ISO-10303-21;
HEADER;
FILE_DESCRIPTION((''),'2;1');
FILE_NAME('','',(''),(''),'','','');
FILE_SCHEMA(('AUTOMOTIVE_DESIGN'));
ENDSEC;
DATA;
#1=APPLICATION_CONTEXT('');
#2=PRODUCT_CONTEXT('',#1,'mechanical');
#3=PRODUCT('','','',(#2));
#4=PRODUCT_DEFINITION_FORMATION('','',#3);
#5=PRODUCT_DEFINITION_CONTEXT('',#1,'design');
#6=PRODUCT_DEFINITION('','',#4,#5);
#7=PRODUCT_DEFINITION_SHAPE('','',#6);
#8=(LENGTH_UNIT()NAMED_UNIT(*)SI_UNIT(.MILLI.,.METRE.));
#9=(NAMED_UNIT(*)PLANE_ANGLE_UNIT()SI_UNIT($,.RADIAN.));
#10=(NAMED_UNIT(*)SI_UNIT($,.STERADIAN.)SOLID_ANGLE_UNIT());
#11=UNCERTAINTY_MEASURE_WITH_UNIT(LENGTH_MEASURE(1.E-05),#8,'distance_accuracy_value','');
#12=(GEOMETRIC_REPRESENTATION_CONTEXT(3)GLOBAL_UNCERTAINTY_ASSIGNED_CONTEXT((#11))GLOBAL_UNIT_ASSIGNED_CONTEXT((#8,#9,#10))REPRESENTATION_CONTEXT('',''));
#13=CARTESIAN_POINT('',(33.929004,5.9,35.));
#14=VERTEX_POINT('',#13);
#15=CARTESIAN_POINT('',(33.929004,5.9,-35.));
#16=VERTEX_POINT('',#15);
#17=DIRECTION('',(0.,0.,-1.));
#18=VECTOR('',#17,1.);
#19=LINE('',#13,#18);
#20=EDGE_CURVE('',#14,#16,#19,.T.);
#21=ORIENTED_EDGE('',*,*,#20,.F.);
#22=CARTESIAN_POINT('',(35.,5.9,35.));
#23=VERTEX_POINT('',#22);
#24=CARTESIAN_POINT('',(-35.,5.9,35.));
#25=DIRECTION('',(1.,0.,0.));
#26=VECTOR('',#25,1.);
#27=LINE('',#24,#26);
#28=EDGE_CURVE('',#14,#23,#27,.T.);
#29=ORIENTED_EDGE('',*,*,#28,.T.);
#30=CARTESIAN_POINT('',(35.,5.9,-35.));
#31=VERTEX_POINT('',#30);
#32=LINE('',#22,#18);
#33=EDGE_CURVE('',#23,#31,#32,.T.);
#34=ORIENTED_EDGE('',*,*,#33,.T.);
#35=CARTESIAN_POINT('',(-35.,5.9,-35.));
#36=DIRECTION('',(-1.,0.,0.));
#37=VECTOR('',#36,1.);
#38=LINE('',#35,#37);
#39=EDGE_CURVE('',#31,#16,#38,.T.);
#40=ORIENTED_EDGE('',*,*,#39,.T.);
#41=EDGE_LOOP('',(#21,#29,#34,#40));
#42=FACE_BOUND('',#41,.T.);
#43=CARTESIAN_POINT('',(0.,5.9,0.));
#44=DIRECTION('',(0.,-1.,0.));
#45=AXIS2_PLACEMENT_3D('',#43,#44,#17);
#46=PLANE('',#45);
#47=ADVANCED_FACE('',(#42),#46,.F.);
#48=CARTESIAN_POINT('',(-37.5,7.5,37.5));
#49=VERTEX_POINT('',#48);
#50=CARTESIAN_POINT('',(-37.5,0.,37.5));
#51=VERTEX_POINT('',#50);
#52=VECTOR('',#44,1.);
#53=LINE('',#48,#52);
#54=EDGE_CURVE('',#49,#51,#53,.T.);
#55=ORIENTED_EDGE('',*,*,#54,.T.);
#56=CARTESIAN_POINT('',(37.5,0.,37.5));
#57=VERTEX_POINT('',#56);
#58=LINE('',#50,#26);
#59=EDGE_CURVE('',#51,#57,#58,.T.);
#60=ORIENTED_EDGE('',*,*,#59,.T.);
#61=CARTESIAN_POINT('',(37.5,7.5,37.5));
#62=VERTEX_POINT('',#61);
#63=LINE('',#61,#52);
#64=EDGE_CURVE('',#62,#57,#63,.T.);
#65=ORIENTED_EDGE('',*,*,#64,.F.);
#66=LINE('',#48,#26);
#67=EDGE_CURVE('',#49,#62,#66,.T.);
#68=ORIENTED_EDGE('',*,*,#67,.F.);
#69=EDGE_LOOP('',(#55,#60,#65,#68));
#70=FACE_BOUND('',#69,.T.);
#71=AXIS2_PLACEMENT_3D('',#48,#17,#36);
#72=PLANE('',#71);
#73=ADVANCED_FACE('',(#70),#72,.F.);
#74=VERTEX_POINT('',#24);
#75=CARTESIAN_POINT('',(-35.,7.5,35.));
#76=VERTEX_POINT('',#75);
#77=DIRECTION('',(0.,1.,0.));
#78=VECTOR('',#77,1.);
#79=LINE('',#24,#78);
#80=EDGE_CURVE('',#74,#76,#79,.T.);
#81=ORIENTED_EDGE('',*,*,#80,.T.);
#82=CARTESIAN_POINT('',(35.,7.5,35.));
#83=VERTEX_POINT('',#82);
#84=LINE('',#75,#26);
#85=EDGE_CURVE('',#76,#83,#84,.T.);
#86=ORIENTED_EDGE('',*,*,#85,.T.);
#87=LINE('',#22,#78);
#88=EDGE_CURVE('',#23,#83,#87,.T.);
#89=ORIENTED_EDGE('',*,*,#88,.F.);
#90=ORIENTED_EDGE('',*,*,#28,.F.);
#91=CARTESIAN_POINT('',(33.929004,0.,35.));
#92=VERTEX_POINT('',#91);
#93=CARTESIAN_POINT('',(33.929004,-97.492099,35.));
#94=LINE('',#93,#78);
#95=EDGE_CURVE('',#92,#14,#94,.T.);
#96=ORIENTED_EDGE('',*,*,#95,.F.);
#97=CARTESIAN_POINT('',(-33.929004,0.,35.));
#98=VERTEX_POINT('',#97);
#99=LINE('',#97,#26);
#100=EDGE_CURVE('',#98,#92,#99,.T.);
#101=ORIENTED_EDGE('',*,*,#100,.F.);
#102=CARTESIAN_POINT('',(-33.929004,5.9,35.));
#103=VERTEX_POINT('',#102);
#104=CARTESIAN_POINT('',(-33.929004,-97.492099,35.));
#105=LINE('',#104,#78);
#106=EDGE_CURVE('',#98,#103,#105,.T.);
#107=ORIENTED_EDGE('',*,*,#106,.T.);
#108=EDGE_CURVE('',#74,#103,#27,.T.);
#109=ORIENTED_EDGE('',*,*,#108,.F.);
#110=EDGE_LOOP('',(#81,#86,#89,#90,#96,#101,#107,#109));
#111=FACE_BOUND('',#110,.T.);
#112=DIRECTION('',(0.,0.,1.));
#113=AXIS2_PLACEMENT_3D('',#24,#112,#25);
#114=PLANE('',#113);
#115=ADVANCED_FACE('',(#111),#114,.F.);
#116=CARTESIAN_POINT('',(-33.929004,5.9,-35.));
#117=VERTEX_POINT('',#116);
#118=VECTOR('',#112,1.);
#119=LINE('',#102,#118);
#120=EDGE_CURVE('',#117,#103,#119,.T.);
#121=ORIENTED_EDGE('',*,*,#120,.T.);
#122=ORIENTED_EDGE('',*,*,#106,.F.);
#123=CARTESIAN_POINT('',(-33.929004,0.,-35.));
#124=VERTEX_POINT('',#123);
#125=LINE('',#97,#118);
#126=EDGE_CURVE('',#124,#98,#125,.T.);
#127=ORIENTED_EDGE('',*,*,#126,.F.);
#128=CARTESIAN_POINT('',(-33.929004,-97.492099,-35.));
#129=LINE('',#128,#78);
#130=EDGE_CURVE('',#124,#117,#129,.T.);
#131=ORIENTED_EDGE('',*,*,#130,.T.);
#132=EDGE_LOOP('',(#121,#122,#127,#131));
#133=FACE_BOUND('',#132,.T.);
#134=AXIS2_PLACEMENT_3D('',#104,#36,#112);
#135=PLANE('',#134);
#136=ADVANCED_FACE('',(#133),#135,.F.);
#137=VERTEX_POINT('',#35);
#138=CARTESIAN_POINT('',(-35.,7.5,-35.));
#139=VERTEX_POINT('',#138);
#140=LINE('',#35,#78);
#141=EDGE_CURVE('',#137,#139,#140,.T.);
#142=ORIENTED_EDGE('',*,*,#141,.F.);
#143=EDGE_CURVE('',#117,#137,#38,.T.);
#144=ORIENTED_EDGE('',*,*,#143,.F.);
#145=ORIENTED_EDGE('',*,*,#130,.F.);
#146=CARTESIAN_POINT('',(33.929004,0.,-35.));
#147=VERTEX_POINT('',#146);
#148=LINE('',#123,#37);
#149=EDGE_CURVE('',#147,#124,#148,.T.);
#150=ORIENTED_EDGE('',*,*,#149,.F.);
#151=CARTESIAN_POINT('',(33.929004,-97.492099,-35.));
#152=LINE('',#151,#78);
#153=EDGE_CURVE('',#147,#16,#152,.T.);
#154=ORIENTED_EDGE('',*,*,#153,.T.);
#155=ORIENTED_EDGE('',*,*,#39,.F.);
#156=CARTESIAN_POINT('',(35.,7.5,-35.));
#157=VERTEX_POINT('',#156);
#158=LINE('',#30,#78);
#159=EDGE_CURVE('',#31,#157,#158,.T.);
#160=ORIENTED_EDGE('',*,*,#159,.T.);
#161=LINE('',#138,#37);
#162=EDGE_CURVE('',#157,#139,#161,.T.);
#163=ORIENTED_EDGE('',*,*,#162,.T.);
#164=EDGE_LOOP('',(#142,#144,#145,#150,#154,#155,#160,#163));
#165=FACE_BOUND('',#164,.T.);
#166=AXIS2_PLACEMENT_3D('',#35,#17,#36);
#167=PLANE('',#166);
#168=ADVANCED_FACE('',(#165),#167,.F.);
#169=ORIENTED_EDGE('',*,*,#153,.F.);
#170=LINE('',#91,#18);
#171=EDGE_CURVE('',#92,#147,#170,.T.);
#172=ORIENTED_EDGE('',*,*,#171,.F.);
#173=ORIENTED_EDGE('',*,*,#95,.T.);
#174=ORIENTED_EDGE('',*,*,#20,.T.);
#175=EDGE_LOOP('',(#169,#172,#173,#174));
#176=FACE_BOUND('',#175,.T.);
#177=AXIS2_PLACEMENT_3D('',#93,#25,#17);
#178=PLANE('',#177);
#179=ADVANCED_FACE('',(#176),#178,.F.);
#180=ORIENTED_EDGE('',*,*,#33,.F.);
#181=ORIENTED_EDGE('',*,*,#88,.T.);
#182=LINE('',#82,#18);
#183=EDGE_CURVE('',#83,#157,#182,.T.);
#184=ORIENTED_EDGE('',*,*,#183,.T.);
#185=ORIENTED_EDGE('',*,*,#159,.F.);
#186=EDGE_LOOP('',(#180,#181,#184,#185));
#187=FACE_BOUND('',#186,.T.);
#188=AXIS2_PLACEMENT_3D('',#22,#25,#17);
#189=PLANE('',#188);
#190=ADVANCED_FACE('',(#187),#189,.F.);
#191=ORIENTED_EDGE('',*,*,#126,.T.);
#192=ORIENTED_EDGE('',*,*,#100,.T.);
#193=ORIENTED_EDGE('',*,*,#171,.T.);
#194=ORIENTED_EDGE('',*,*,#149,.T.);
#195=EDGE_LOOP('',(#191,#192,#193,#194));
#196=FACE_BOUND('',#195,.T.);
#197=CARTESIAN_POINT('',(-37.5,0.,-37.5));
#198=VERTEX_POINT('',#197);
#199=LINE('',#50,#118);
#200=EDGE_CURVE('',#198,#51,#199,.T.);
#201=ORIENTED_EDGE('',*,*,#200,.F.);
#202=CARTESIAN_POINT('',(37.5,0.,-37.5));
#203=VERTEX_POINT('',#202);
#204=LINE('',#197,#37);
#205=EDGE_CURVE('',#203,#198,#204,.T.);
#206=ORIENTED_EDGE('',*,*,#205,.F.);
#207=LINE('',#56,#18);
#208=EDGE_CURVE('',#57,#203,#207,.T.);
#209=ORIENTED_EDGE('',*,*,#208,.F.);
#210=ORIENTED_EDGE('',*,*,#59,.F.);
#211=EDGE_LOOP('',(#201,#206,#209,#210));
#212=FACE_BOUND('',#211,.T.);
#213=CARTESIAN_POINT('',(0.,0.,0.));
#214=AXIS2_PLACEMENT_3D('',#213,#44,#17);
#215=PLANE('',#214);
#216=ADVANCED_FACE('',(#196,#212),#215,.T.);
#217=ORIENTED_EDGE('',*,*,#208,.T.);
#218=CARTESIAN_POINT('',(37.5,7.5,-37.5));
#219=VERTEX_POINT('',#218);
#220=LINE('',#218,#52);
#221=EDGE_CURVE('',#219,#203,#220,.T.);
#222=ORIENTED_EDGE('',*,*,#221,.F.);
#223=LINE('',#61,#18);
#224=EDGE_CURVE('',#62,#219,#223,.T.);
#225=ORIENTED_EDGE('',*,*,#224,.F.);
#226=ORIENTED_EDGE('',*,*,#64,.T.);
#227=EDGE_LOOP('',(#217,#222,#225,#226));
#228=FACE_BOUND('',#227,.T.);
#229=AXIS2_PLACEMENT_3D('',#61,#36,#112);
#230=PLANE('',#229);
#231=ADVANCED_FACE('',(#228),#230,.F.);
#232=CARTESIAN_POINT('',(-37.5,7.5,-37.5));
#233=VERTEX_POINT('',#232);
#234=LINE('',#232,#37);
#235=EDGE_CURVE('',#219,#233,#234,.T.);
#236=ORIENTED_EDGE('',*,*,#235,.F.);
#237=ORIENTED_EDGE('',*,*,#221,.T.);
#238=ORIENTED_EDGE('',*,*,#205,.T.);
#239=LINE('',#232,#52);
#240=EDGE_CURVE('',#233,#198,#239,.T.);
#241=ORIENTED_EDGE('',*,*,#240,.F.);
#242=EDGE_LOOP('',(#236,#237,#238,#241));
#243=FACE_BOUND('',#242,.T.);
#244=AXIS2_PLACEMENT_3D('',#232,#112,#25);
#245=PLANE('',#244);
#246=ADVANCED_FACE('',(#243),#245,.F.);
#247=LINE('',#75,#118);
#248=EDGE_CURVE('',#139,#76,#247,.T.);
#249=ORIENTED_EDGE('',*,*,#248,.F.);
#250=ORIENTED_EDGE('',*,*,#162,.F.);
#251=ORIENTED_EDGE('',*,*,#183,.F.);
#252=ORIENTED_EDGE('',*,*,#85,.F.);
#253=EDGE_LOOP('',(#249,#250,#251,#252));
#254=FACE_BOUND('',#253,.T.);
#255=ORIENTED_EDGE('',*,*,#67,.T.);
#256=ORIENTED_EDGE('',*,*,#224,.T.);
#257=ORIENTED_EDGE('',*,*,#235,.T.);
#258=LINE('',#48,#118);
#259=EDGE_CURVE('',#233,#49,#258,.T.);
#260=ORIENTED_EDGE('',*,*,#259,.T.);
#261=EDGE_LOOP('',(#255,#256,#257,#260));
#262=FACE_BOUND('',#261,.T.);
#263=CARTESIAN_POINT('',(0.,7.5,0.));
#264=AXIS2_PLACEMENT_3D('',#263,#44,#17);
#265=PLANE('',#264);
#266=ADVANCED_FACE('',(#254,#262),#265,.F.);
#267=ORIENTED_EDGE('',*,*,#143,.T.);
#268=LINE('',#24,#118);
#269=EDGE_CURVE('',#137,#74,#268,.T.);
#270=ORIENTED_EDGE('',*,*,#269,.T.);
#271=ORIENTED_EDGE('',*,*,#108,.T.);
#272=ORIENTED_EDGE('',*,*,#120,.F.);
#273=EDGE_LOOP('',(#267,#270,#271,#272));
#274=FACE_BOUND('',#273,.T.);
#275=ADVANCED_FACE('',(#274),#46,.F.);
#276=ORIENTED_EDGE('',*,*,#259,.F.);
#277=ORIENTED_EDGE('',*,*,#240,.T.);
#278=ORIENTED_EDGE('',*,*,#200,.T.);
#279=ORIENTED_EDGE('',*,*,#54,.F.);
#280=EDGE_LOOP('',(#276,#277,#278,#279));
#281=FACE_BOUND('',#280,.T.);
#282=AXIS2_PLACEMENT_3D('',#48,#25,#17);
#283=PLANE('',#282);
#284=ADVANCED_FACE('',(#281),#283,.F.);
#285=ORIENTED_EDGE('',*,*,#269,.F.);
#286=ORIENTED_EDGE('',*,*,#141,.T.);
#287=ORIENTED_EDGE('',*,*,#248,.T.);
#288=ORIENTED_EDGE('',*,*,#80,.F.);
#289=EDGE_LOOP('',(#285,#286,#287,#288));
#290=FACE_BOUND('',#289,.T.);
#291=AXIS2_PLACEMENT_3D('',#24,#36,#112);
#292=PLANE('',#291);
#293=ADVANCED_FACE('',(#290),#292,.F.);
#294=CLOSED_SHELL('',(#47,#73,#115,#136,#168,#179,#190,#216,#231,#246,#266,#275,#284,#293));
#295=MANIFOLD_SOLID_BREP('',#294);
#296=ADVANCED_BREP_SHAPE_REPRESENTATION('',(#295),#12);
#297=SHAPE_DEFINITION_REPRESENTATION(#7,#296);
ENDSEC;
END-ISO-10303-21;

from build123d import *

# Parameters (mm, degrees)
SKETCH1_W             = 75
SKETCH1_H             = 75
BASE_DEPTH            = 7.5
SKETCH2_W             = 70
SKETCH2_H             = 70
SLOT_DEPTH            = 1.6
SKETCH3_W             = 67.858008496
SKETCH3_H             = 70
SLOT_COMPONENTS_DEPTH = 5.9


with BuildPart() as part:
    # Sketch1 → Base (new body)
    with BuildSketch(Plane(origin=(0, 0, 0), x_dir=(1, 0, 0), z_dir=(0, 1, 0))):
        Rectangle(SKETCH1_W, SKETCH1_H)
    extrude(amount=BASE_DEPTH)

    # Sketch2 → Slot (cut)
    with BuildSketch(Plane(origin=(0, 7.5, 0), x_dir=(1, 0, 0), z_dir=(0, 1, 0))):
        Rectangle(SKETCH2_W, SKETCH2_H)
    extrude(amount=-SLOT_DEPTH, mode=Mode.SUBTRACT)

    # Sketch3 → Slot-Components (cut)
    with BuildSketch(Plane(origin=(0, 5.9, 0), x_dir=(1, 0, 0), z_dir=(0, 1, 0))):
        Rectangle(SKETCH3_W, SKETCH3_H)
    extrude(amount=-SLOT_COMPONENTS_DEPTH, mode=Mode.SUBTRACT)


solid = part.part
